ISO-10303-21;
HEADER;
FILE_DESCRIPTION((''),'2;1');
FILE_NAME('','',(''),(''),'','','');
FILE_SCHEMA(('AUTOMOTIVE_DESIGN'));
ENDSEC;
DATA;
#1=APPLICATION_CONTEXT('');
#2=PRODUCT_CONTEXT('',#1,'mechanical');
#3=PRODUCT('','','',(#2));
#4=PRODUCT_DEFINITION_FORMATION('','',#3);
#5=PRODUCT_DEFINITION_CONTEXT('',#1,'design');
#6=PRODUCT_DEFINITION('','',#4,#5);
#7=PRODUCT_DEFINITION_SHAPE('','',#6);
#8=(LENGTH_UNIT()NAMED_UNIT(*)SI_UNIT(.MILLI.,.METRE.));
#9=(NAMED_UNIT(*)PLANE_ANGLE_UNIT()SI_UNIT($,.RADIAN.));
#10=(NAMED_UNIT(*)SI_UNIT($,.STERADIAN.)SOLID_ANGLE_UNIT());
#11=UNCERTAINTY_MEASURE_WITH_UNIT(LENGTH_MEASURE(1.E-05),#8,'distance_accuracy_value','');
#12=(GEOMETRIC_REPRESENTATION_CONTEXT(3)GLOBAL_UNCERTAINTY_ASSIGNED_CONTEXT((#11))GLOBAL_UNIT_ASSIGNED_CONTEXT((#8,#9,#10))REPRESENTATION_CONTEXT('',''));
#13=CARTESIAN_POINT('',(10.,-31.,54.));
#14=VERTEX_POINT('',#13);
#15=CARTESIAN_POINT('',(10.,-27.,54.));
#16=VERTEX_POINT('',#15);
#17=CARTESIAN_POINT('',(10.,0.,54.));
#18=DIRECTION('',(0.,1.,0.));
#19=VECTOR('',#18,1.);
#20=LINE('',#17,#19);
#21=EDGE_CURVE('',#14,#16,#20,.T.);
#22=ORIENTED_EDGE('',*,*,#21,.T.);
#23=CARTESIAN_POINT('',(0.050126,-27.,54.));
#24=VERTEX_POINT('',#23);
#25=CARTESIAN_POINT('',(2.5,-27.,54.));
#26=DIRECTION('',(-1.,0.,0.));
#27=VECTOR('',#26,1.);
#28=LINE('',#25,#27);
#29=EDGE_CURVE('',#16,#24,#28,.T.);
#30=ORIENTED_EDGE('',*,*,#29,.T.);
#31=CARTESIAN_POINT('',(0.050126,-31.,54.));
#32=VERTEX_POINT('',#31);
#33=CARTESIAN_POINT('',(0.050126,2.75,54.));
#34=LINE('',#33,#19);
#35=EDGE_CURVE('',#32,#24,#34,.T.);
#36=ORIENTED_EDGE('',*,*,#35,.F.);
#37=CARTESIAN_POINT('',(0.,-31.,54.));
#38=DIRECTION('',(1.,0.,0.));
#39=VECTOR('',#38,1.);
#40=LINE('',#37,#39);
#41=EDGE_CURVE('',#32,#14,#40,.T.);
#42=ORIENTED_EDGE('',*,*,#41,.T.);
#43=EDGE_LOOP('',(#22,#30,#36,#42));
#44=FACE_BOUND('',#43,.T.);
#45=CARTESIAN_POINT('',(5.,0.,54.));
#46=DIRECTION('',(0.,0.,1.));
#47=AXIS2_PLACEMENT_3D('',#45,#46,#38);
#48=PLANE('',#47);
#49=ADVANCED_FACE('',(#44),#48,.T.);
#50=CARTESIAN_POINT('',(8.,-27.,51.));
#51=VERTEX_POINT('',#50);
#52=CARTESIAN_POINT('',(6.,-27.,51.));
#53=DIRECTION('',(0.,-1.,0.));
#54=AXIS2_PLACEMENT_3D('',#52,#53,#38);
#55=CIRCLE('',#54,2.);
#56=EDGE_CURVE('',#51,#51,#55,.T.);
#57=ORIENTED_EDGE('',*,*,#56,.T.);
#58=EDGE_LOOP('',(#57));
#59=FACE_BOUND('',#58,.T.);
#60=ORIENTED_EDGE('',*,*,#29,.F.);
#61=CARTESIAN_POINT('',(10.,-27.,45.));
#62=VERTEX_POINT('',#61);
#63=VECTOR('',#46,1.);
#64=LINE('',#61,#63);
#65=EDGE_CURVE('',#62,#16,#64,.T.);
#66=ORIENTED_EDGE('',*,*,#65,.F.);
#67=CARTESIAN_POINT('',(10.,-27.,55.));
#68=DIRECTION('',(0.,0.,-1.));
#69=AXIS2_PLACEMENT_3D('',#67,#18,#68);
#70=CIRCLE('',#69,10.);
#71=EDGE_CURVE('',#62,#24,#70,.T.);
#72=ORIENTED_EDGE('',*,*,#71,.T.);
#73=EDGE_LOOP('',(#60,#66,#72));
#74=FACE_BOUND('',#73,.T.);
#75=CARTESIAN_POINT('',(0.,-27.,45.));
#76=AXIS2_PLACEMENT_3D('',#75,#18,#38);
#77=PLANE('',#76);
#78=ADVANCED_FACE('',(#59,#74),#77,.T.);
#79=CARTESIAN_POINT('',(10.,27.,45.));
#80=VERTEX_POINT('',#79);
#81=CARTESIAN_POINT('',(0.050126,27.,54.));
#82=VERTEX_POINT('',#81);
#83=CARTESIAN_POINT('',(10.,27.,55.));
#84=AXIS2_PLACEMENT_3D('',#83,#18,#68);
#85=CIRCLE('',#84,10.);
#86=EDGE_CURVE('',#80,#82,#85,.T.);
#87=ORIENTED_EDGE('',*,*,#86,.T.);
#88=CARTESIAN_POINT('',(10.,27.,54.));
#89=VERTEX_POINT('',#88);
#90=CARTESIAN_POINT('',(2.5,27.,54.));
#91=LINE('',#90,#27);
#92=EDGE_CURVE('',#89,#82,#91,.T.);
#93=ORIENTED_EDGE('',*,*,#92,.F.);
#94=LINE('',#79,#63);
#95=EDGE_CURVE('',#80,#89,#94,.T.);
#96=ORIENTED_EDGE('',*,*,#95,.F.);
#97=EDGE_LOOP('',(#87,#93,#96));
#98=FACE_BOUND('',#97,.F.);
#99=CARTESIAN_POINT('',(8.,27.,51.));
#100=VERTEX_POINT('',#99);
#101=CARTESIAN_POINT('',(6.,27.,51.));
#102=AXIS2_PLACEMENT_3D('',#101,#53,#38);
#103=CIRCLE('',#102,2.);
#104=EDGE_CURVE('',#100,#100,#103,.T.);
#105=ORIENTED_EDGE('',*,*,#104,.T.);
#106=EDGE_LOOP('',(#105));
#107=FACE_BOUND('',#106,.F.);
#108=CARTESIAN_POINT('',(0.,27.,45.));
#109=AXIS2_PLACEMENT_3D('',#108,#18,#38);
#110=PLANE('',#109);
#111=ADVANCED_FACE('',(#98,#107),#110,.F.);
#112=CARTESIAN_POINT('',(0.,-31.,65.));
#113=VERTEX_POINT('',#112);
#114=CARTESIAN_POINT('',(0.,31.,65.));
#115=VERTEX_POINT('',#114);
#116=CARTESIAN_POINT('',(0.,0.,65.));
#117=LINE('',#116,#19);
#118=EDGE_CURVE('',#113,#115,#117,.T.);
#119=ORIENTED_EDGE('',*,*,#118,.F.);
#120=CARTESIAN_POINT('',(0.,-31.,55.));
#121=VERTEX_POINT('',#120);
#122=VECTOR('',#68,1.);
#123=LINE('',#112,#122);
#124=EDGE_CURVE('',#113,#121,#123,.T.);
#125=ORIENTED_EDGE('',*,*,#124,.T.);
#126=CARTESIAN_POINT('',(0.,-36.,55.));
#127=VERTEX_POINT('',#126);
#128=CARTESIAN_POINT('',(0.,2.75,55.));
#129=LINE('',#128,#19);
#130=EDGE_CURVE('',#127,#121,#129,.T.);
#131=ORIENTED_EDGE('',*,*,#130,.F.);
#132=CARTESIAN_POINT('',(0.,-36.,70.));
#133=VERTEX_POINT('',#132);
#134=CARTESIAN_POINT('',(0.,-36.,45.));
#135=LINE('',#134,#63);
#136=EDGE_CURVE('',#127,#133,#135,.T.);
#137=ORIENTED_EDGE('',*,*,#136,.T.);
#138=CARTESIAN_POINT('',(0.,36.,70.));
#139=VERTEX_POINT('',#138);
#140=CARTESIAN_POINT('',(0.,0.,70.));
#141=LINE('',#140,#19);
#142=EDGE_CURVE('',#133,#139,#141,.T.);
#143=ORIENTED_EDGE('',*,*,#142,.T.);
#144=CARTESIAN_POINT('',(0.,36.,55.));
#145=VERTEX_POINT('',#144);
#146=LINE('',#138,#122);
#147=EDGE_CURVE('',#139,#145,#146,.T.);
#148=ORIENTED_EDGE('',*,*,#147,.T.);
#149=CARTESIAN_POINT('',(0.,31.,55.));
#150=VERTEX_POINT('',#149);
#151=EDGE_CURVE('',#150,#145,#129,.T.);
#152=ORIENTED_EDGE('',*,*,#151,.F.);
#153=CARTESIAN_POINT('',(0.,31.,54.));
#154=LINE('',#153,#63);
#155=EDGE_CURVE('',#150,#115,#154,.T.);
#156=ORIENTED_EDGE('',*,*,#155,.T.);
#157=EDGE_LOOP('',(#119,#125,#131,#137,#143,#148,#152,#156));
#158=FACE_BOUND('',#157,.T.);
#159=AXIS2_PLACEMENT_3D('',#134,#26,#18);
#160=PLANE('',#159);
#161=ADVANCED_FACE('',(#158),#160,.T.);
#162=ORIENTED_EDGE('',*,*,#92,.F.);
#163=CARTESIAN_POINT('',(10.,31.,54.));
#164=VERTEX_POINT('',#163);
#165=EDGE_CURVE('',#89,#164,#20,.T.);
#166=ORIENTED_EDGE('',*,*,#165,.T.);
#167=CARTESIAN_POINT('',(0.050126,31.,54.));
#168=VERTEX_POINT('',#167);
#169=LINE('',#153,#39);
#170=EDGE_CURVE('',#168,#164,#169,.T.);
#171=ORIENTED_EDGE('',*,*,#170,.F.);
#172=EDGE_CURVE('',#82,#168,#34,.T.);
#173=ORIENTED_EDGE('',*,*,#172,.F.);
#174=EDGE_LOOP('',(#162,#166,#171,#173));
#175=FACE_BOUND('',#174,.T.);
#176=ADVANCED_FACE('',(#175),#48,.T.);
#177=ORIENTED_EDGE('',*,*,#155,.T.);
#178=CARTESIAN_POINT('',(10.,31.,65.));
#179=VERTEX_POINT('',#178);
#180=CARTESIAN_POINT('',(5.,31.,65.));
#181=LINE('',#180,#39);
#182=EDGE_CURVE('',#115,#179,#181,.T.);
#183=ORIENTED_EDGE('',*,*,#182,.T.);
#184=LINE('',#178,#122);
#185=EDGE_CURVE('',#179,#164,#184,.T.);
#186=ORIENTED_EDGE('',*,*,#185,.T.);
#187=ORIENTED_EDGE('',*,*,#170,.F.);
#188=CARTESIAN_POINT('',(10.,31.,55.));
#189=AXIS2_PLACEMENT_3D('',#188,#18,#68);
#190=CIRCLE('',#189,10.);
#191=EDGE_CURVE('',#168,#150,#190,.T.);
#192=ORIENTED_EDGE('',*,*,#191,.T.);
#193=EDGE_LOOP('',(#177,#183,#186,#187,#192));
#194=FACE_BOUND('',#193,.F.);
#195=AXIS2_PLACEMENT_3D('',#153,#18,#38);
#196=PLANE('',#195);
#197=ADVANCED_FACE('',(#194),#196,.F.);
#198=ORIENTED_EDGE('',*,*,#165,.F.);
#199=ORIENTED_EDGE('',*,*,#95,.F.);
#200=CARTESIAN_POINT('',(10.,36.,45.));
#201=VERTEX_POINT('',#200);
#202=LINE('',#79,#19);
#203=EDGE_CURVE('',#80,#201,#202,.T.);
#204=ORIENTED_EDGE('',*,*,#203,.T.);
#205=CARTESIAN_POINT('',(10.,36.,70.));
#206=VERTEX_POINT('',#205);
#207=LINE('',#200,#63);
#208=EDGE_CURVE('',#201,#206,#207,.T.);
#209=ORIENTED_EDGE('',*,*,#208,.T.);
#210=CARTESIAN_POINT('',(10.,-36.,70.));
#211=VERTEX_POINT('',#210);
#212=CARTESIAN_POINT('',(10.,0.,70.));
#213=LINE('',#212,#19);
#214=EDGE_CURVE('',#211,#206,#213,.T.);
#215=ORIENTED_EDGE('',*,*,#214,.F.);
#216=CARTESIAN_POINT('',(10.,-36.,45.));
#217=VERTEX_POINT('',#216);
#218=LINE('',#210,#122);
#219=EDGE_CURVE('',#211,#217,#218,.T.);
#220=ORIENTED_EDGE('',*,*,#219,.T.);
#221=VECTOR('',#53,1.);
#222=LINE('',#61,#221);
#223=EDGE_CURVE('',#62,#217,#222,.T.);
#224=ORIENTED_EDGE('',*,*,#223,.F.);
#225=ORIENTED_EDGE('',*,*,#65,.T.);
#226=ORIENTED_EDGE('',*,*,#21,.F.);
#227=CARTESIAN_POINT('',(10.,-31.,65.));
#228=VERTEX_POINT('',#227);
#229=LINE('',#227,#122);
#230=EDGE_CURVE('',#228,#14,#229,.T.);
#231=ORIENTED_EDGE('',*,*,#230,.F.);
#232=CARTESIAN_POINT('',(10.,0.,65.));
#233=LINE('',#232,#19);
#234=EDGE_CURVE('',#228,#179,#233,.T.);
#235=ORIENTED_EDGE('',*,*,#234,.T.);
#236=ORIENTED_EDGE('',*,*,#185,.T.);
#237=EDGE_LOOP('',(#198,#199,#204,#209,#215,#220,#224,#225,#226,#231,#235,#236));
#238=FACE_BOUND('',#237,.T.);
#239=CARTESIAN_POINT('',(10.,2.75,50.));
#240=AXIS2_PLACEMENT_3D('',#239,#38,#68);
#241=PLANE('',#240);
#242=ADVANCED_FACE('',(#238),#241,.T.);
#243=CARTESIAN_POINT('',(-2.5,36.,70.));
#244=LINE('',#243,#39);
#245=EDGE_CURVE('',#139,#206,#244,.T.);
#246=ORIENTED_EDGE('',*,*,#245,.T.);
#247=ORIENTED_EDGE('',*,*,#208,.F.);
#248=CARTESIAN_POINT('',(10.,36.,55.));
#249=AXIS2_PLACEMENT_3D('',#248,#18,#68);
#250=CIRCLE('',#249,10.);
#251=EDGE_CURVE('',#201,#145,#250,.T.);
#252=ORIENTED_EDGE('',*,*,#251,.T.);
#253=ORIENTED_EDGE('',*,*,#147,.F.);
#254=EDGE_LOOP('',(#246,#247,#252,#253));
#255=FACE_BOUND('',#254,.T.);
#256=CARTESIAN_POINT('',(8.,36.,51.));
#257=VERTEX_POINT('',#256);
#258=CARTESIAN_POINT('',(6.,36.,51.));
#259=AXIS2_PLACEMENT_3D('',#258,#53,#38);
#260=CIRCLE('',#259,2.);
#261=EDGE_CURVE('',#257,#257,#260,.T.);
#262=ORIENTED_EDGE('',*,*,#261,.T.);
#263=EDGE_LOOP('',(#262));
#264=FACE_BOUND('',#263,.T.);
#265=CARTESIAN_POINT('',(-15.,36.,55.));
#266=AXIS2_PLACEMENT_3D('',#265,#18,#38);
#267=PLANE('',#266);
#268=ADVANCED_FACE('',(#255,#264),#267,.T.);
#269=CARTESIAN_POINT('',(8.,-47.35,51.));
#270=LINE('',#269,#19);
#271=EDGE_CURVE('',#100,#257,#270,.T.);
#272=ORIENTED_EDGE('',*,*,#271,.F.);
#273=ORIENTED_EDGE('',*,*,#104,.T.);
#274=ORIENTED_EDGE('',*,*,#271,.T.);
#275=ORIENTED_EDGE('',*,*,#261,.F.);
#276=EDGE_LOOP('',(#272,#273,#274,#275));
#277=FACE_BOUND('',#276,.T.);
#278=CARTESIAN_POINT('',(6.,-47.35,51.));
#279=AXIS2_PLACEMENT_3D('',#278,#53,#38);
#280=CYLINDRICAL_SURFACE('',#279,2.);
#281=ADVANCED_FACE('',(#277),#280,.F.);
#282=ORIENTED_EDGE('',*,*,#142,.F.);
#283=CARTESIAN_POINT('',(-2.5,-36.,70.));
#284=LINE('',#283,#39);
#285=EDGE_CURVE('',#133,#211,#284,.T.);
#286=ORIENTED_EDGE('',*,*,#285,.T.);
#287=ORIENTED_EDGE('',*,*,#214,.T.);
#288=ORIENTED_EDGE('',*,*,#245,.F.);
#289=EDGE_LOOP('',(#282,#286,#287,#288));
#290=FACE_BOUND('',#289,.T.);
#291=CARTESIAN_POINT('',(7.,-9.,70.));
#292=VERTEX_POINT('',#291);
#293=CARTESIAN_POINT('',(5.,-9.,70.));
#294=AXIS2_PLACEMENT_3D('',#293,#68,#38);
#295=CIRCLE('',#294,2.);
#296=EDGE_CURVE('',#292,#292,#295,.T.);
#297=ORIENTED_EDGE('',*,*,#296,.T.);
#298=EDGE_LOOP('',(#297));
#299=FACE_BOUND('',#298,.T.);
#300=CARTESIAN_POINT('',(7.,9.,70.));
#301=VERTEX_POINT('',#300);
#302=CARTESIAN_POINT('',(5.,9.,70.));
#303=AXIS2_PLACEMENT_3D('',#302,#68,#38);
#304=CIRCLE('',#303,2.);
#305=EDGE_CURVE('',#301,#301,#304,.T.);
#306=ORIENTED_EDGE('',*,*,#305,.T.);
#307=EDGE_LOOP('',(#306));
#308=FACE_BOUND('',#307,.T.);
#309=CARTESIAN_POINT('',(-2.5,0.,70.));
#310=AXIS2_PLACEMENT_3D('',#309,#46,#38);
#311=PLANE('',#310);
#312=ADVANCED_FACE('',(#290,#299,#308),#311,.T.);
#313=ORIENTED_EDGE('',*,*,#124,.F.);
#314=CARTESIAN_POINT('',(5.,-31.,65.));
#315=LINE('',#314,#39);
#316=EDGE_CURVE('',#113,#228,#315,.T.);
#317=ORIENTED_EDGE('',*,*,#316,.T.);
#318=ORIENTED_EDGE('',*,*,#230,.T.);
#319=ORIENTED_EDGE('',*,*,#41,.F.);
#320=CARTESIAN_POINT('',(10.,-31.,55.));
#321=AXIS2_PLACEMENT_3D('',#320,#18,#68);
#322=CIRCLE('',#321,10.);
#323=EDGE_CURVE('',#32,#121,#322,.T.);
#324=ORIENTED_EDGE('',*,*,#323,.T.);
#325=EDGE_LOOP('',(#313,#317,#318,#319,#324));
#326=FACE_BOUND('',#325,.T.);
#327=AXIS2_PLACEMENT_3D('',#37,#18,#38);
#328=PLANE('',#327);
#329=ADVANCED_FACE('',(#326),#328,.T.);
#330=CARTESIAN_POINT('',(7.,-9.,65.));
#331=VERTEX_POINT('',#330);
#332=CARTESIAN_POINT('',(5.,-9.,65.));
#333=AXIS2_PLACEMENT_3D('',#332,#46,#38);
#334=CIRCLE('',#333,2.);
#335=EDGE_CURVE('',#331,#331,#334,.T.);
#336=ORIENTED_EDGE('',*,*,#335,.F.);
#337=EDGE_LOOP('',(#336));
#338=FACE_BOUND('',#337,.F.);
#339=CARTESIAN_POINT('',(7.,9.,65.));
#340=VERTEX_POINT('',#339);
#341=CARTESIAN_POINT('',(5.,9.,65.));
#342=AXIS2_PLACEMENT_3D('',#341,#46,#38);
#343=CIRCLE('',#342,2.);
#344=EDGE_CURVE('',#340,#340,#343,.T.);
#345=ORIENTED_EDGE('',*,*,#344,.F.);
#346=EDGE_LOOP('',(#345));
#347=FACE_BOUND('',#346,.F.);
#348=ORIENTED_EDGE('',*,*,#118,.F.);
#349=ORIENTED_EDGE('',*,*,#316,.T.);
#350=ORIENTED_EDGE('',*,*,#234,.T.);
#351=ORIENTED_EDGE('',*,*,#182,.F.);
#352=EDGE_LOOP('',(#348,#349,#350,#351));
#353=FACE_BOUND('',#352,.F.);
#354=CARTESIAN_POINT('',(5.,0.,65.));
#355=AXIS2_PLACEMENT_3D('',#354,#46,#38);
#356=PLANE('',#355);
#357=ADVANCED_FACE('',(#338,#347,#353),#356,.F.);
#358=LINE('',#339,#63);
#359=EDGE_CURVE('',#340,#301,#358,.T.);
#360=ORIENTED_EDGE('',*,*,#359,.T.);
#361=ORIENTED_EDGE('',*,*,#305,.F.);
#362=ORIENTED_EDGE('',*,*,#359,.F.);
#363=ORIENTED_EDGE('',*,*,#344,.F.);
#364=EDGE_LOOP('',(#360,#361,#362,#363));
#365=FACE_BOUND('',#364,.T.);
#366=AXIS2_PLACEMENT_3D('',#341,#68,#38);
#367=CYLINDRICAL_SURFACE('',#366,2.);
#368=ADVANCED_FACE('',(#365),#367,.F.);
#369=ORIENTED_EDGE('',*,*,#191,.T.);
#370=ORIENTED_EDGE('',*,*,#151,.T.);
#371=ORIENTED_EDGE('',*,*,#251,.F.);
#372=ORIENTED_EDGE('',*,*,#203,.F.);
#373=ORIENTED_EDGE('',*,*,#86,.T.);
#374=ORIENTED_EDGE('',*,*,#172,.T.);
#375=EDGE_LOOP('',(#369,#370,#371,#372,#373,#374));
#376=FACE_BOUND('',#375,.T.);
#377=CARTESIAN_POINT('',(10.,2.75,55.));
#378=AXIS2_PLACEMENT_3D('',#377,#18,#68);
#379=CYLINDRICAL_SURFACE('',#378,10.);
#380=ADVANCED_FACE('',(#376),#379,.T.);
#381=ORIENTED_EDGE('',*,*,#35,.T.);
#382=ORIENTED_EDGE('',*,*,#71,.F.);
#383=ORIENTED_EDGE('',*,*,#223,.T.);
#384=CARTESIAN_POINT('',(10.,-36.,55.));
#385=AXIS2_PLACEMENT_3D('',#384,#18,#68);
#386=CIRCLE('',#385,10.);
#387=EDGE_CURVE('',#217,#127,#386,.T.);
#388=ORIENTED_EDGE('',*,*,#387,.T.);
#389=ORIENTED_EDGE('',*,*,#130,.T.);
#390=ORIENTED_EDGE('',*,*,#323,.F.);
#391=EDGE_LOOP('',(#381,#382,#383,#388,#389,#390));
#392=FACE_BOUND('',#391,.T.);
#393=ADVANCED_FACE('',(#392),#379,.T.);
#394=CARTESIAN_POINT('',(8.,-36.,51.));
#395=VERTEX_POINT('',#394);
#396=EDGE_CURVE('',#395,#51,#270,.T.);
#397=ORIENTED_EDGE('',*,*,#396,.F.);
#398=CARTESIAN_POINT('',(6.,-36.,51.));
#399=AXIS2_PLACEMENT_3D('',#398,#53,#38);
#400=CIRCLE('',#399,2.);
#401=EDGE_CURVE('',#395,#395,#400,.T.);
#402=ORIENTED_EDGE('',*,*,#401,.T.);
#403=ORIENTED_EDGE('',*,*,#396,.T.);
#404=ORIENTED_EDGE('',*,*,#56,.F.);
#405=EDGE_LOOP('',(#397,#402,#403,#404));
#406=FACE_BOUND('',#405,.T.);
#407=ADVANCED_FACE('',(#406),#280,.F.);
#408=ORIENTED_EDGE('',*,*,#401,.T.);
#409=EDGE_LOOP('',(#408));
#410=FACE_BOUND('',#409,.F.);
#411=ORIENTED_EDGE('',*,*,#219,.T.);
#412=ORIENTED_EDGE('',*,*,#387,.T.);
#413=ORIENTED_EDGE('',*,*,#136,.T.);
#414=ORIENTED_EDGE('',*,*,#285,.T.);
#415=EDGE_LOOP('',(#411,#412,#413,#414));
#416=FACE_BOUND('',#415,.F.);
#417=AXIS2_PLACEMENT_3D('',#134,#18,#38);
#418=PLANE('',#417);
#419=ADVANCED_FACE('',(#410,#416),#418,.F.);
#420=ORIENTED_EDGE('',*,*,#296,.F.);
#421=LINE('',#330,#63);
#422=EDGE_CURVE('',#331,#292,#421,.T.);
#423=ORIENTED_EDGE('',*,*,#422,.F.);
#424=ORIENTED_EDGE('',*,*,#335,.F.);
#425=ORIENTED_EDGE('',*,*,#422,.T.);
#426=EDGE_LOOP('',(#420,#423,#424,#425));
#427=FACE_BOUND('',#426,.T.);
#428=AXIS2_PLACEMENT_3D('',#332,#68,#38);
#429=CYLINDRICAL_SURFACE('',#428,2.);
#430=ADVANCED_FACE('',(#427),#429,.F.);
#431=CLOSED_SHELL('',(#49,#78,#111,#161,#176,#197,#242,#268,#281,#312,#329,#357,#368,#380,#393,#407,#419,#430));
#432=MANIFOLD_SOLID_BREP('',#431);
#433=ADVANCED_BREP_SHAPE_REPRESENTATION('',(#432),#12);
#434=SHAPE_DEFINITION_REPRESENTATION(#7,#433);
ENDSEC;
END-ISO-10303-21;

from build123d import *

# Parameters (mm, degrees)
CYLINDER016_R     = 2
CYLINDER016_DEPTH = 94
CYLINDER030_R     = 2
CYLINDER030_DEPTH = 10
CYLINDER029_R     = 2
CYLINDER029_DEPTH = 10
CYLINDER001_W     = 10
CYLINDER001_H     = 5
CYLINDER001_ANGLE = 90
BOX002_W          = 10
BOX002_H          = 54
BOX002_DEPTH      = 11
BOX001_W          = 10
BOX001_H          = 62
BOX001_DEPTH      = 11
BOX_W             = 10
BOX_H             = 72
BOX_DEPTH         = 25
CYLINDER_W        = 10
CYLINDER_H        = 5
CYLINDER_ANGLE    = 90
CYLINDER017_W     = 10
CYLINDER017_H     = 87
CYLINDER017_ANGLE = 90
BOX004_W          = 25
BOX004_H          = 72
BOX004_DEPTH      = 15


with BuildPart() as m3heastsetcut:
    # Cylinder016 → Cylinder016 (new body)
    with BuildSketch(Plane(origin=(6, -47.35, 51), x_dir=(1, 0, 0), z_dir=(0, 1, 0))):
        Circle(CYLINDER016_R)
    extrude(amount=CYLINDER016_DEPTH)


with BuildPart() as m3cuts003:
    # Cylinder030 → Cylinder030 (new body)
    with BuildSketch(Plane(origin=(5, 9, 70), x_dir=(1, 0, 0), z_dir=(0, 0, 1))):
        Circle(CYLINDER030_R)
    extrude(amount=CYLINDER030_DEPTH)


with BuildPart() as m3cute001:
    # Cylinder029 → Cylinder029 (new body)
    with BuildSketch(Plane(origin=(5, -9, 70), x_dir=(1, 0, 0), z_dir=(0, 0, 1))):
        Circle(CYLINDER029_R)
    extrude(amount=CYLINDER029_DEPTH)

    # Fusion012: union m3Cuts003
    add(m3cuts003.part)


with BuildPart() as m3cute001_1:
    # Fusion012 placement: moved
    add(m3cute001.part.moved(Location((0, 0, -5))))


with BuildPart() as cylinder001:
    # Cylinder001 → Cylinder001 (revolve)
    with BuildSketch(Plane(origin=(10, -31, 55), x_dir=(-1, 0, 0), z_dir=(0, 0, 1))):
        with Locations((5, 2.5)):
            Rectangle(CYLINDER001_W, CYLINDER001_H)
    revolve(axis=Axis((10, -31, 55), (0, -1, 0)), revolution_arc=CYLINDER001_ANGLE)


with BuildPart() as in001:
    # Box002 → Box002 (new body)
    with BuildSketch(Plane(origin=(0, -27, 45), x_dir=(1, 0, 0), z_dir=(0, 0, 1))):
        with Locations((5, 27)):
            Rectangle(BOX002_W, BOX002_H)
    extrude(amount=BOX002_DEPTH)


with BuildPart() as in002:
    # Box001 → Box001 (new body)
    with BuildSketch(Plane(origin=(0, -31, 54), x_dir=(1, 0, 0), z_dir=(0, 0, 1))):
        with Locations((5, 31)):
            Rectangle(BOX001_W, BOX001_H)
    extrude(amount=BOX001_DEPTH)

    # Fusion: union in001
    add(in001.part)


with BuildPart() as cut:
    # Box → Box (new body)
    with BuildSketch(Plane(origin=(0, -36, 45), x_dir=(1, 0, 0), z_dir=(0, 0, 1))):
        with Locations((5, 36)):
            Rectangle(BOX_W, BOX_H)
    extrude(amount=BOX_DEPTH)

    # Cut: cut in002
    add(in002.part, mode=Mode.SUBTRACT)


with BuildPart() as lowbase:
    # Cylinder → Cylinder (revolve)
    with BuildSketch(Plane(origin=(10, 31, 55), x_dir=(0, 0, -1), z_dir=(1, 0, 0))):
        with Locations((5, 2.5)):
            Rectangle(CYLINDER_W, CYLINDER_H)
    revolve(axis=Axis((10, 31, 55), (0, 1, 0)), revolution_arc=CYLINDER_ANGLE)

    # Fusion001: union Cylinder001, Cut
    add(cylinder001.part)
    add(cut.part)

    # Cut003: cut m3Cute001
    add(m3cute001_1.part, mode=Mode.SUBTRACT)

    # Cut004: cut m3HeastSetCut
    add(m3heastsetcut.part, mode=Mode.SUBTRACT)


with BuildPart() as include001:
    # Cylinder017 → Cylinder017 (revolve)
    with BuildSketch(Plane(origin=(10, -40.75, 55), x_dir=(0, 0, -1), z_dir=(1, 0, 0))):
        with Locations((5, 43.5)):
            Rectangle(CYLINDER017_W, CYLINDER017_H)
    revolve(axis=Axis((10, -40.75, 55), (0, 1, 0)), revolution_arc=CYLINDER017_ANGLE)


with BuildPart() as common:
    # Box004 → Box004 (new body)
    with BuildSketch(Plane(origin=(-15, -36, 55), x_dir=(1, 0, 0), z_dir=(0, 0, 1))):
        with Locations((12.5, 36)):
            Rectangle(BOX004_W, BOX004_H)
    extrude(amount=BOX004_DEPTH)

    # Fusion014: union include001
    add(include001.part)

    # Common: intersect lowBase
    add(lowbase.part, mode=Mode.INTERSECT)


solid = common.part
